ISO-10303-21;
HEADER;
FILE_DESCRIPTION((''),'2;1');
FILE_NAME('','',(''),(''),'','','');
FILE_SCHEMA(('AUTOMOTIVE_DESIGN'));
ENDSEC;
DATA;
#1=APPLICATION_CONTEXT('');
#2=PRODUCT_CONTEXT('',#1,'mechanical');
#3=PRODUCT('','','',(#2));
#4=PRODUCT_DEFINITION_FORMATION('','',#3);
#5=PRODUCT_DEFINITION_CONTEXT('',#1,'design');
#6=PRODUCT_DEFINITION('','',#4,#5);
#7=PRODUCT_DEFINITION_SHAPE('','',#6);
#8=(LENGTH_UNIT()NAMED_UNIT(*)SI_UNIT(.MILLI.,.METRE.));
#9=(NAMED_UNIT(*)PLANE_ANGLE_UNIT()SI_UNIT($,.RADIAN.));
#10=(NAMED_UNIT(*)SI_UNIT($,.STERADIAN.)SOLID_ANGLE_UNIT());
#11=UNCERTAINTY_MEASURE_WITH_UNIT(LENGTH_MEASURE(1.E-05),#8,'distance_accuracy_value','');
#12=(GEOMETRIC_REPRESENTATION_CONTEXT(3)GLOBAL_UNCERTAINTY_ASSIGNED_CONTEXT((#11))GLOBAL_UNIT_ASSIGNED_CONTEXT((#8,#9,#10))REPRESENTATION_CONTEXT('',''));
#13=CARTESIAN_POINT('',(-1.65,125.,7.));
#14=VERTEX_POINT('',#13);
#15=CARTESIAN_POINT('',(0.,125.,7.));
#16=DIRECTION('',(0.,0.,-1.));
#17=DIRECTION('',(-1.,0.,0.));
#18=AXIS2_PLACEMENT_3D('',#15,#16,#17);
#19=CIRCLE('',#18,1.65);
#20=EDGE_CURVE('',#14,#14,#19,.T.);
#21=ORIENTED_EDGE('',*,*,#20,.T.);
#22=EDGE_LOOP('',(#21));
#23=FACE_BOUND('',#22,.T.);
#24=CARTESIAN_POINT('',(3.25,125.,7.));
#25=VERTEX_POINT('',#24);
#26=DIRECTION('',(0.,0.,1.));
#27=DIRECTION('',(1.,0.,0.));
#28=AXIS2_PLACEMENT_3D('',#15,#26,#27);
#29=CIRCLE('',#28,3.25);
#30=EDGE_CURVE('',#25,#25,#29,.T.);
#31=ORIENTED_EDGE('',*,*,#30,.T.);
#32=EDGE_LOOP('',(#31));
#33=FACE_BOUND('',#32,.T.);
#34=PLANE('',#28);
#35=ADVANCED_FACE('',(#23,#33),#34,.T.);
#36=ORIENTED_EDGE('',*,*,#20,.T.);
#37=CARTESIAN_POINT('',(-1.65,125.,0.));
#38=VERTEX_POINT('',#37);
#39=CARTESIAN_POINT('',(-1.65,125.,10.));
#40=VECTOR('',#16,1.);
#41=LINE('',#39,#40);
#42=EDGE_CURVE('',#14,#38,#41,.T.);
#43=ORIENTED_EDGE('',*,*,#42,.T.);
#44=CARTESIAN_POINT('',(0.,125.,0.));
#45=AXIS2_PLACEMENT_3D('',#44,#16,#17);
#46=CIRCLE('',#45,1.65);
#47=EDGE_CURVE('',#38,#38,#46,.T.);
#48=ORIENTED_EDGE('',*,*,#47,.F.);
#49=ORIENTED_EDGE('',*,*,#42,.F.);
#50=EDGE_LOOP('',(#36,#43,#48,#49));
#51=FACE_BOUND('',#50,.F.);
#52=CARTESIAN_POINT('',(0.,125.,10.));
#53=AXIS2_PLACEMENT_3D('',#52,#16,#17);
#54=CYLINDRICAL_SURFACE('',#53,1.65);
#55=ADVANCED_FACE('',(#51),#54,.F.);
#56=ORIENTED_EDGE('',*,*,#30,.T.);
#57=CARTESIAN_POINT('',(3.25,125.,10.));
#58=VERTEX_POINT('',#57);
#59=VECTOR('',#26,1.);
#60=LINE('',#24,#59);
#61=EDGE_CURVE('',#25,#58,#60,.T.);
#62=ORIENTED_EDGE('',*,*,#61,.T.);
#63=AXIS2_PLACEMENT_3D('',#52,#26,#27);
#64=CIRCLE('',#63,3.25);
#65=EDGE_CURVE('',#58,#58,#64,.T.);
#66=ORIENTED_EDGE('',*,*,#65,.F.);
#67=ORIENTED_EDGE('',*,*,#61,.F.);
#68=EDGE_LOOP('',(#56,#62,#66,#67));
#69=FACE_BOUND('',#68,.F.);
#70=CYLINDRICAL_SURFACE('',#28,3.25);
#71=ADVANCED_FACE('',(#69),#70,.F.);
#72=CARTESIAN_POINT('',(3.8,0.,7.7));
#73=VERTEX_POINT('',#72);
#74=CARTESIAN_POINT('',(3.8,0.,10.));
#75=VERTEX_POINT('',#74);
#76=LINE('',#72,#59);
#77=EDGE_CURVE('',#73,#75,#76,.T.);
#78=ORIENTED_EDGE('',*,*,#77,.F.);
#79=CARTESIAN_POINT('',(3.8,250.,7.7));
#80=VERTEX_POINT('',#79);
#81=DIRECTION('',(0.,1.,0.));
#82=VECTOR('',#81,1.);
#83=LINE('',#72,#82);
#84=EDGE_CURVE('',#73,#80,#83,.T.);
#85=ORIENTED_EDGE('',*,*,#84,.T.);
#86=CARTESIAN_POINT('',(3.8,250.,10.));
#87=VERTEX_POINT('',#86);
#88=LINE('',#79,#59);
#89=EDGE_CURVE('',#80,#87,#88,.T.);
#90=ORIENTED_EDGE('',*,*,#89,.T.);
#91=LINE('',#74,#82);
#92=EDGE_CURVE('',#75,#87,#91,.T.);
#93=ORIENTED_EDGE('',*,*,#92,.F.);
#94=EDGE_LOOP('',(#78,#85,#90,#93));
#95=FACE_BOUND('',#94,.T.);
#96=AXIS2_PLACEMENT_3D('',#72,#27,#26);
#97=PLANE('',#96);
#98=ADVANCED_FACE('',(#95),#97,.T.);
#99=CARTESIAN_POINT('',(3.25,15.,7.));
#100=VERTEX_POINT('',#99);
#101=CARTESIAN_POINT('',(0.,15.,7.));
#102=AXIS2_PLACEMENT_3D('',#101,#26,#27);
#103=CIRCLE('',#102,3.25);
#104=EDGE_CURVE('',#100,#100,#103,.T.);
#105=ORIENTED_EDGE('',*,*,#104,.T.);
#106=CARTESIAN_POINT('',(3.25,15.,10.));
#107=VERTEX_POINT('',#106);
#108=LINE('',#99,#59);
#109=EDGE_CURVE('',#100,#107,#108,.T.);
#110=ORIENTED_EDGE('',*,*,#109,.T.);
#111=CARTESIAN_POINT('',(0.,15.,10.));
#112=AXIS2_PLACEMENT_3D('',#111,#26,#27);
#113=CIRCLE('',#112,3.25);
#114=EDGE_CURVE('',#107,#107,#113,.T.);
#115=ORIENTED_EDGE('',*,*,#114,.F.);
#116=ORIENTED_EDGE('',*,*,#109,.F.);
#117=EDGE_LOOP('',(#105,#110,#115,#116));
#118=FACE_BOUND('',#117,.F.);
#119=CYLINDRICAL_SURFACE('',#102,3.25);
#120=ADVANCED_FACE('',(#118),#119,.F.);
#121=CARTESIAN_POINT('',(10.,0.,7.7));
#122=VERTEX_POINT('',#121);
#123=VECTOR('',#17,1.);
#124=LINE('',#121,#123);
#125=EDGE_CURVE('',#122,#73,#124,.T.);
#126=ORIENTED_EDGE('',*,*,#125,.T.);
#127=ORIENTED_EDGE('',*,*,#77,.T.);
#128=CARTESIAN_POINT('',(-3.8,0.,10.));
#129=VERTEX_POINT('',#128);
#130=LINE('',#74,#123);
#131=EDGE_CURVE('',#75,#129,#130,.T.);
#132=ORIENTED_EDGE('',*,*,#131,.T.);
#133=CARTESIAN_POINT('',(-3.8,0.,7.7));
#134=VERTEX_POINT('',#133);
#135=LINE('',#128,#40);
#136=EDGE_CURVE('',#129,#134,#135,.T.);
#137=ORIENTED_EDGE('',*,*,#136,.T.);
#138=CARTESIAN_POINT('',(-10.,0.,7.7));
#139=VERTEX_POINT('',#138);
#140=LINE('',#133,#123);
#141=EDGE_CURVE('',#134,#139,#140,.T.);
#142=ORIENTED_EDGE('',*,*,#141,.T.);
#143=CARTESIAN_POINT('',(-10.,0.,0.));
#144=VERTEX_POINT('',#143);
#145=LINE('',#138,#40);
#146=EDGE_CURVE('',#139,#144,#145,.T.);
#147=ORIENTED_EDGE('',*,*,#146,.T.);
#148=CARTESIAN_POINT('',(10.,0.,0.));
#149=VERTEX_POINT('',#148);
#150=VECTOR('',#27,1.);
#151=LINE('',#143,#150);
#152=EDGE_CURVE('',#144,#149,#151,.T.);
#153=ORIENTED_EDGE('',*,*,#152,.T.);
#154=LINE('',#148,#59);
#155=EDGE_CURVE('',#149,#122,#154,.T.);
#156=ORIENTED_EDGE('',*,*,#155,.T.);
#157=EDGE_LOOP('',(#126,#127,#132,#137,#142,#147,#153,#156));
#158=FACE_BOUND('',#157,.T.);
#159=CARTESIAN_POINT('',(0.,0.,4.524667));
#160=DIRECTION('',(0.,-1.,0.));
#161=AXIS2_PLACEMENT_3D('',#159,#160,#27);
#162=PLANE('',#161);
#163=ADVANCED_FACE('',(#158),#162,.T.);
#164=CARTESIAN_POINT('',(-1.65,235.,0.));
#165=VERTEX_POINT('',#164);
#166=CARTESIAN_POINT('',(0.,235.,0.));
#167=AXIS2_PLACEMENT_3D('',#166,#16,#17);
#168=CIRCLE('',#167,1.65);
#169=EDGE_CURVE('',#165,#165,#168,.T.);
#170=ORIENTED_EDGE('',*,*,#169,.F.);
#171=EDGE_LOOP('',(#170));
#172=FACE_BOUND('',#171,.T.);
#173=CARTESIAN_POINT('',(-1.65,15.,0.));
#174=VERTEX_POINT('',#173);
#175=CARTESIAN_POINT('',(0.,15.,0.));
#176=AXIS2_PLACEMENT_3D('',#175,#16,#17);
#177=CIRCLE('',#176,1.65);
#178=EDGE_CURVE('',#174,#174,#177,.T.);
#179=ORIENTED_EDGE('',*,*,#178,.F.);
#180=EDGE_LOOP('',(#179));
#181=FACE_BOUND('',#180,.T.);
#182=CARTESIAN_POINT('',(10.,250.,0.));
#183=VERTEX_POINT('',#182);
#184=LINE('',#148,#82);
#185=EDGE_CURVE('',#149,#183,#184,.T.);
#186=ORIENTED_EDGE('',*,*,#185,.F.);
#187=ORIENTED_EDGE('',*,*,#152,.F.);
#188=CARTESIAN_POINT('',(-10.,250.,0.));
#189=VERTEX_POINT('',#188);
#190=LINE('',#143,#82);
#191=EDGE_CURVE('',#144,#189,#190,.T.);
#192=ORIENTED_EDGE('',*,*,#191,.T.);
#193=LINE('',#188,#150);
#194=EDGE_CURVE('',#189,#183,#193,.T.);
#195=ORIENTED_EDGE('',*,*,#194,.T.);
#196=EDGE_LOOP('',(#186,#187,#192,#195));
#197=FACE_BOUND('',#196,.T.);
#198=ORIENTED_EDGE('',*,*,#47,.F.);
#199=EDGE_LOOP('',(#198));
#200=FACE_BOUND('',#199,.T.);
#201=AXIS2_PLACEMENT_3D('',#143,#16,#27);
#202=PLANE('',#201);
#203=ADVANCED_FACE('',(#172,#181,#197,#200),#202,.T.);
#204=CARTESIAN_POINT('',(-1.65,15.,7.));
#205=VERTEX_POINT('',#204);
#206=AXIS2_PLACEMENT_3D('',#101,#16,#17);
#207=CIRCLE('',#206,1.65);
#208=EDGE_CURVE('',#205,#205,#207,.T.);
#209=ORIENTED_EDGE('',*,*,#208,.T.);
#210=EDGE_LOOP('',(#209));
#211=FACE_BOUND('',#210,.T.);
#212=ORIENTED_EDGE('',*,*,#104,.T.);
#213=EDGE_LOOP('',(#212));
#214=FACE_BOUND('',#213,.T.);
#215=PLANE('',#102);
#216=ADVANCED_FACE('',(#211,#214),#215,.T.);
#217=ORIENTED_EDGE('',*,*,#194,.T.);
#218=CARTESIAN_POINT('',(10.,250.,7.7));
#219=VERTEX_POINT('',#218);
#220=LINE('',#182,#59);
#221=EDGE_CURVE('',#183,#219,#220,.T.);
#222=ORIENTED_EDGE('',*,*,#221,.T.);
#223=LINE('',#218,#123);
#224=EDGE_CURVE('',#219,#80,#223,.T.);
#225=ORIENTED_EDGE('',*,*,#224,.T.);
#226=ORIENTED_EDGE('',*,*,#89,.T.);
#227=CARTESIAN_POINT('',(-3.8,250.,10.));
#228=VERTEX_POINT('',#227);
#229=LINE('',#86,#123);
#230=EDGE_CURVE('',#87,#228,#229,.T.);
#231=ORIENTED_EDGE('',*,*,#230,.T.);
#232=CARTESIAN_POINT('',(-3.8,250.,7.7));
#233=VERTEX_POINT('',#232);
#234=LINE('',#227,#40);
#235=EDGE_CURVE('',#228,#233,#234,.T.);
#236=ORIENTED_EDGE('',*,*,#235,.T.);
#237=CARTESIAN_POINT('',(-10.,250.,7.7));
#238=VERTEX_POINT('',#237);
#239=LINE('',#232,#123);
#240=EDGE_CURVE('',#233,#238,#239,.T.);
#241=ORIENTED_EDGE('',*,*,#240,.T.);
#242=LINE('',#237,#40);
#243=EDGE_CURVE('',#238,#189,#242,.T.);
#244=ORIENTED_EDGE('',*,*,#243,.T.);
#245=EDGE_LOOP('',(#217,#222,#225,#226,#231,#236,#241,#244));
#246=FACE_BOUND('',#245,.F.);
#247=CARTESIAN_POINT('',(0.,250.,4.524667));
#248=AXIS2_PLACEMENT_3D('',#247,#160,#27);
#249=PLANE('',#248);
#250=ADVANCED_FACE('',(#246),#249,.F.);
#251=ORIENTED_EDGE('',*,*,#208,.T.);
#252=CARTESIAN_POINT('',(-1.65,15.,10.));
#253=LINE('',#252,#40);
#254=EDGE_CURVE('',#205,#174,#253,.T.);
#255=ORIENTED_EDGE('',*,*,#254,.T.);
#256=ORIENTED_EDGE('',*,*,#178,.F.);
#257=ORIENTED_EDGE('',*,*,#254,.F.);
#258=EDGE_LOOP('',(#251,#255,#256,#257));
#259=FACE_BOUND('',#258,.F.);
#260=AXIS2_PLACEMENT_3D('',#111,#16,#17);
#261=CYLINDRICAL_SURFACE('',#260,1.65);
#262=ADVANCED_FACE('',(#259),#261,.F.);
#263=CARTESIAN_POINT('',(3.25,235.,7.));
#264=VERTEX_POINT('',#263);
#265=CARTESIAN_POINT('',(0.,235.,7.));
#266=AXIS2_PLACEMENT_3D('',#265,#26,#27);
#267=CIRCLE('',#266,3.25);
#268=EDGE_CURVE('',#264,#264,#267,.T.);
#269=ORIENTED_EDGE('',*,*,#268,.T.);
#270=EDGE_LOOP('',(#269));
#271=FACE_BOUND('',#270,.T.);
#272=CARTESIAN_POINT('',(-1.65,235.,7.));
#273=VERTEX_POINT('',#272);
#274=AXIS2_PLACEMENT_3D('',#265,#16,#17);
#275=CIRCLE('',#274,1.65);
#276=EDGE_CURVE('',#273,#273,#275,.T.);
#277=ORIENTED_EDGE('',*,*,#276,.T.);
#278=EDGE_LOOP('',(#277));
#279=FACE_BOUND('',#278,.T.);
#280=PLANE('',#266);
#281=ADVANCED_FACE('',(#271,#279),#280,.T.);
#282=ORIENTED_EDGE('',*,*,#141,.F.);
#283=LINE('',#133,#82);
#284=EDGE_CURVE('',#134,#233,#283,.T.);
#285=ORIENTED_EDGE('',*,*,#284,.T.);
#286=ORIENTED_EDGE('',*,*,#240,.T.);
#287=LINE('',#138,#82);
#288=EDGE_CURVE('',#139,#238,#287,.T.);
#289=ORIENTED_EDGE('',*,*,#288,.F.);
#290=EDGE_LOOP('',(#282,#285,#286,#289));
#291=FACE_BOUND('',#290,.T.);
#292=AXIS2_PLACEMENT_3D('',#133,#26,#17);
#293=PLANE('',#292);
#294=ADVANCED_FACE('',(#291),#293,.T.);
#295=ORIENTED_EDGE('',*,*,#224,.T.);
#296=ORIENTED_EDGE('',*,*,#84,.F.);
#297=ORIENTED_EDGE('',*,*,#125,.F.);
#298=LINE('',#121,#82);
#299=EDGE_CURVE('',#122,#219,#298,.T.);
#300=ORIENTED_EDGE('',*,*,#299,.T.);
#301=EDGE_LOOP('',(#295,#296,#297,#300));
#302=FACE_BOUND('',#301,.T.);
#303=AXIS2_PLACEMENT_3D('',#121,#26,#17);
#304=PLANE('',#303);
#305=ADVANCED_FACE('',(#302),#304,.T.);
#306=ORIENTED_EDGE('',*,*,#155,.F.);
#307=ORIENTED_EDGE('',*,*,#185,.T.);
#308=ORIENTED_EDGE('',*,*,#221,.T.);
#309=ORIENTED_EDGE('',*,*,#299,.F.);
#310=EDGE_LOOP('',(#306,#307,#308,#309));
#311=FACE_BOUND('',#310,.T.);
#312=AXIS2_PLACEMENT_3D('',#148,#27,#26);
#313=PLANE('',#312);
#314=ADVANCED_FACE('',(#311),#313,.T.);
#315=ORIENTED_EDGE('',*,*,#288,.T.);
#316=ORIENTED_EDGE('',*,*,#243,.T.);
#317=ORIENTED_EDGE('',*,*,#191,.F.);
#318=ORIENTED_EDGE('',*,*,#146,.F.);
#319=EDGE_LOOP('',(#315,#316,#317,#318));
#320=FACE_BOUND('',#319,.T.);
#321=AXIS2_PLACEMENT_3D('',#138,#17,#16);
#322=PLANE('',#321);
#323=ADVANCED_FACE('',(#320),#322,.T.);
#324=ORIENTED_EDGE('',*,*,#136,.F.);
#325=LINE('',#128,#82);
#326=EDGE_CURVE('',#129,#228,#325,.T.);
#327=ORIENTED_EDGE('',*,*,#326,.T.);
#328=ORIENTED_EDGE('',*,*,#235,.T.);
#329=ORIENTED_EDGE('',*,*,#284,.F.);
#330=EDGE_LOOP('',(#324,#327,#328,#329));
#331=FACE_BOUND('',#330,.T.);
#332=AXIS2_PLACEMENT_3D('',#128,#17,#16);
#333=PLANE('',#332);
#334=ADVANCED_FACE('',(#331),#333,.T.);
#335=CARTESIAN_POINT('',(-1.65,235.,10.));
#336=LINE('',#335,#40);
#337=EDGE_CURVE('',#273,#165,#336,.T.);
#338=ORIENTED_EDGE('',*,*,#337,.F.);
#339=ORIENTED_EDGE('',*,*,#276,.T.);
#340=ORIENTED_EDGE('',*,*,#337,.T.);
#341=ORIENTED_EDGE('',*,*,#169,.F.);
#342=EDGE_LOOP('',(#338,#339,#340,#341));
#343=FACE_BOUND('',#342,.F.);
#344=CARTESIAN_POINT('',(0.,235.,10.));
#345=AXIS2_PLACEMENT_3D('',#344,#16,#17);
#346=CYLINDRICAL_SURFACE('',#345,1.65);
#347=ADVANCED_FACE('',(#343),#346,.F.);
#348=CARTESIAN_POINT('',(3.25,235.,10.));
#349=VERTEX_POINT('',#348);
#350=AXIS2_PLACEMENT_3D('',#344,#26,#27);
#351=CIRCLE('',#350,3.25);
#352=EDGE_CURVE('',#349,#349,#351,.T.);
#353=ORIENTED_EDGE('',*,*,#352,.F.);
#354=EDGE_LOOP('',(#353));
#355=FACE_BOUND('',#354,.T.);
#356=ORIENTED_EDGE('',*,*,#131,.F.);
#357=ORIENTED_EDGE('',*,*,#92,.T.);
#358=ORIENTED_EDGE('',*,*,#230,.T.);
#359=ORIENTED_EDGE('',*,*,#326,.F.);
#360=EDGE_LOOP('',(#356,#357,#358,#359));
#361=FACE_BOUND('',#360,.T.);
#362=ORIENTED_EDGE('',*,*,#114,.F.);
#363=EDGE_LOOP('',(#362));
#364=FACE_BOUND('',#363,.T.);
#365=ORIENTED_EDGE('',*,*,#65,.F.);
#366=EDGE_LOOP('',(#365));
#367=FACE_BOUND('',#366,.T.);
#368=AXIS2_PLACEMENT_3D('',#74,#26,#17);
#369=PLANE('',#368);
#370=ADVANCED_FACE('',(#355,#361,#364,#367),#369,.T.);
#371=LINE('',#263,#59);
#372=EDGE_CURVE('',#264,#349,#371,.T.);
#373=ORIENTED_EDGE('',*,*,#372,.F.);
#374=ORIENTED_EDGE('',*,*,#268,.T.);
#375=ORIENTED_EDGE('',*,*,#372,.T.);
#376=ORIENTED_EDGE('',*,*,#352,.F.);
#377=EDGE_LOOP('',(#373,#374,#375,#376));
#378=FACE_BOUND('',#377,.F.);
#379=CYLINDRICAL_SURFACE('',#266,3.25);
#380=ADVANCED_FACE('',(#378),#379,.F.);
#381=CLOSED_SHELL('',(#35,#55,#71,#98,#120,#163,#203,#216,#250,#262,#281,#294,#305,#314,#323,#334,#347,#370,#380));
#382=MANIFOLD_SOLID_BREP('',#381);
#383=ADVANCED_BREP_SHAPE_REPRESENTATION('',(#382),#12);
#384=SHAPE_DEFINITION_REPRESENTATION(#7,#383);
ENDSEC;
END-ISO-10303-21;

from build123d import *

# Parameters (mm, degrees)
F1_DEPTH       = 250
F3_D           = 3.3
F3_CBORE_D     = 6.5
F3_CBORE_DEPTH = 3


with BuildPart() as f1:
    # F0 (on Front) → F1 (new body)
    with BuildSketch(Plane.XZ):
        Polygon((-10, 7.7), (-10, 0), (10, 0), (10, 7.7), (3.8, 7.7), (3.8, 10), (-3.8, 10), (-3.8, 7.7), align=None)
    extrude(amount=-F1_DEPTH)

    # F3 (through all)
    with Locations(Plane.XY.offset(10)):
        with Locations((0, 15), (0, 125), (0, 235)):
            CounterBoreHole(F3_D / 2, F3_CBORE_D / 2, F3_CBORE_DEPTH)


solid = f1.part
